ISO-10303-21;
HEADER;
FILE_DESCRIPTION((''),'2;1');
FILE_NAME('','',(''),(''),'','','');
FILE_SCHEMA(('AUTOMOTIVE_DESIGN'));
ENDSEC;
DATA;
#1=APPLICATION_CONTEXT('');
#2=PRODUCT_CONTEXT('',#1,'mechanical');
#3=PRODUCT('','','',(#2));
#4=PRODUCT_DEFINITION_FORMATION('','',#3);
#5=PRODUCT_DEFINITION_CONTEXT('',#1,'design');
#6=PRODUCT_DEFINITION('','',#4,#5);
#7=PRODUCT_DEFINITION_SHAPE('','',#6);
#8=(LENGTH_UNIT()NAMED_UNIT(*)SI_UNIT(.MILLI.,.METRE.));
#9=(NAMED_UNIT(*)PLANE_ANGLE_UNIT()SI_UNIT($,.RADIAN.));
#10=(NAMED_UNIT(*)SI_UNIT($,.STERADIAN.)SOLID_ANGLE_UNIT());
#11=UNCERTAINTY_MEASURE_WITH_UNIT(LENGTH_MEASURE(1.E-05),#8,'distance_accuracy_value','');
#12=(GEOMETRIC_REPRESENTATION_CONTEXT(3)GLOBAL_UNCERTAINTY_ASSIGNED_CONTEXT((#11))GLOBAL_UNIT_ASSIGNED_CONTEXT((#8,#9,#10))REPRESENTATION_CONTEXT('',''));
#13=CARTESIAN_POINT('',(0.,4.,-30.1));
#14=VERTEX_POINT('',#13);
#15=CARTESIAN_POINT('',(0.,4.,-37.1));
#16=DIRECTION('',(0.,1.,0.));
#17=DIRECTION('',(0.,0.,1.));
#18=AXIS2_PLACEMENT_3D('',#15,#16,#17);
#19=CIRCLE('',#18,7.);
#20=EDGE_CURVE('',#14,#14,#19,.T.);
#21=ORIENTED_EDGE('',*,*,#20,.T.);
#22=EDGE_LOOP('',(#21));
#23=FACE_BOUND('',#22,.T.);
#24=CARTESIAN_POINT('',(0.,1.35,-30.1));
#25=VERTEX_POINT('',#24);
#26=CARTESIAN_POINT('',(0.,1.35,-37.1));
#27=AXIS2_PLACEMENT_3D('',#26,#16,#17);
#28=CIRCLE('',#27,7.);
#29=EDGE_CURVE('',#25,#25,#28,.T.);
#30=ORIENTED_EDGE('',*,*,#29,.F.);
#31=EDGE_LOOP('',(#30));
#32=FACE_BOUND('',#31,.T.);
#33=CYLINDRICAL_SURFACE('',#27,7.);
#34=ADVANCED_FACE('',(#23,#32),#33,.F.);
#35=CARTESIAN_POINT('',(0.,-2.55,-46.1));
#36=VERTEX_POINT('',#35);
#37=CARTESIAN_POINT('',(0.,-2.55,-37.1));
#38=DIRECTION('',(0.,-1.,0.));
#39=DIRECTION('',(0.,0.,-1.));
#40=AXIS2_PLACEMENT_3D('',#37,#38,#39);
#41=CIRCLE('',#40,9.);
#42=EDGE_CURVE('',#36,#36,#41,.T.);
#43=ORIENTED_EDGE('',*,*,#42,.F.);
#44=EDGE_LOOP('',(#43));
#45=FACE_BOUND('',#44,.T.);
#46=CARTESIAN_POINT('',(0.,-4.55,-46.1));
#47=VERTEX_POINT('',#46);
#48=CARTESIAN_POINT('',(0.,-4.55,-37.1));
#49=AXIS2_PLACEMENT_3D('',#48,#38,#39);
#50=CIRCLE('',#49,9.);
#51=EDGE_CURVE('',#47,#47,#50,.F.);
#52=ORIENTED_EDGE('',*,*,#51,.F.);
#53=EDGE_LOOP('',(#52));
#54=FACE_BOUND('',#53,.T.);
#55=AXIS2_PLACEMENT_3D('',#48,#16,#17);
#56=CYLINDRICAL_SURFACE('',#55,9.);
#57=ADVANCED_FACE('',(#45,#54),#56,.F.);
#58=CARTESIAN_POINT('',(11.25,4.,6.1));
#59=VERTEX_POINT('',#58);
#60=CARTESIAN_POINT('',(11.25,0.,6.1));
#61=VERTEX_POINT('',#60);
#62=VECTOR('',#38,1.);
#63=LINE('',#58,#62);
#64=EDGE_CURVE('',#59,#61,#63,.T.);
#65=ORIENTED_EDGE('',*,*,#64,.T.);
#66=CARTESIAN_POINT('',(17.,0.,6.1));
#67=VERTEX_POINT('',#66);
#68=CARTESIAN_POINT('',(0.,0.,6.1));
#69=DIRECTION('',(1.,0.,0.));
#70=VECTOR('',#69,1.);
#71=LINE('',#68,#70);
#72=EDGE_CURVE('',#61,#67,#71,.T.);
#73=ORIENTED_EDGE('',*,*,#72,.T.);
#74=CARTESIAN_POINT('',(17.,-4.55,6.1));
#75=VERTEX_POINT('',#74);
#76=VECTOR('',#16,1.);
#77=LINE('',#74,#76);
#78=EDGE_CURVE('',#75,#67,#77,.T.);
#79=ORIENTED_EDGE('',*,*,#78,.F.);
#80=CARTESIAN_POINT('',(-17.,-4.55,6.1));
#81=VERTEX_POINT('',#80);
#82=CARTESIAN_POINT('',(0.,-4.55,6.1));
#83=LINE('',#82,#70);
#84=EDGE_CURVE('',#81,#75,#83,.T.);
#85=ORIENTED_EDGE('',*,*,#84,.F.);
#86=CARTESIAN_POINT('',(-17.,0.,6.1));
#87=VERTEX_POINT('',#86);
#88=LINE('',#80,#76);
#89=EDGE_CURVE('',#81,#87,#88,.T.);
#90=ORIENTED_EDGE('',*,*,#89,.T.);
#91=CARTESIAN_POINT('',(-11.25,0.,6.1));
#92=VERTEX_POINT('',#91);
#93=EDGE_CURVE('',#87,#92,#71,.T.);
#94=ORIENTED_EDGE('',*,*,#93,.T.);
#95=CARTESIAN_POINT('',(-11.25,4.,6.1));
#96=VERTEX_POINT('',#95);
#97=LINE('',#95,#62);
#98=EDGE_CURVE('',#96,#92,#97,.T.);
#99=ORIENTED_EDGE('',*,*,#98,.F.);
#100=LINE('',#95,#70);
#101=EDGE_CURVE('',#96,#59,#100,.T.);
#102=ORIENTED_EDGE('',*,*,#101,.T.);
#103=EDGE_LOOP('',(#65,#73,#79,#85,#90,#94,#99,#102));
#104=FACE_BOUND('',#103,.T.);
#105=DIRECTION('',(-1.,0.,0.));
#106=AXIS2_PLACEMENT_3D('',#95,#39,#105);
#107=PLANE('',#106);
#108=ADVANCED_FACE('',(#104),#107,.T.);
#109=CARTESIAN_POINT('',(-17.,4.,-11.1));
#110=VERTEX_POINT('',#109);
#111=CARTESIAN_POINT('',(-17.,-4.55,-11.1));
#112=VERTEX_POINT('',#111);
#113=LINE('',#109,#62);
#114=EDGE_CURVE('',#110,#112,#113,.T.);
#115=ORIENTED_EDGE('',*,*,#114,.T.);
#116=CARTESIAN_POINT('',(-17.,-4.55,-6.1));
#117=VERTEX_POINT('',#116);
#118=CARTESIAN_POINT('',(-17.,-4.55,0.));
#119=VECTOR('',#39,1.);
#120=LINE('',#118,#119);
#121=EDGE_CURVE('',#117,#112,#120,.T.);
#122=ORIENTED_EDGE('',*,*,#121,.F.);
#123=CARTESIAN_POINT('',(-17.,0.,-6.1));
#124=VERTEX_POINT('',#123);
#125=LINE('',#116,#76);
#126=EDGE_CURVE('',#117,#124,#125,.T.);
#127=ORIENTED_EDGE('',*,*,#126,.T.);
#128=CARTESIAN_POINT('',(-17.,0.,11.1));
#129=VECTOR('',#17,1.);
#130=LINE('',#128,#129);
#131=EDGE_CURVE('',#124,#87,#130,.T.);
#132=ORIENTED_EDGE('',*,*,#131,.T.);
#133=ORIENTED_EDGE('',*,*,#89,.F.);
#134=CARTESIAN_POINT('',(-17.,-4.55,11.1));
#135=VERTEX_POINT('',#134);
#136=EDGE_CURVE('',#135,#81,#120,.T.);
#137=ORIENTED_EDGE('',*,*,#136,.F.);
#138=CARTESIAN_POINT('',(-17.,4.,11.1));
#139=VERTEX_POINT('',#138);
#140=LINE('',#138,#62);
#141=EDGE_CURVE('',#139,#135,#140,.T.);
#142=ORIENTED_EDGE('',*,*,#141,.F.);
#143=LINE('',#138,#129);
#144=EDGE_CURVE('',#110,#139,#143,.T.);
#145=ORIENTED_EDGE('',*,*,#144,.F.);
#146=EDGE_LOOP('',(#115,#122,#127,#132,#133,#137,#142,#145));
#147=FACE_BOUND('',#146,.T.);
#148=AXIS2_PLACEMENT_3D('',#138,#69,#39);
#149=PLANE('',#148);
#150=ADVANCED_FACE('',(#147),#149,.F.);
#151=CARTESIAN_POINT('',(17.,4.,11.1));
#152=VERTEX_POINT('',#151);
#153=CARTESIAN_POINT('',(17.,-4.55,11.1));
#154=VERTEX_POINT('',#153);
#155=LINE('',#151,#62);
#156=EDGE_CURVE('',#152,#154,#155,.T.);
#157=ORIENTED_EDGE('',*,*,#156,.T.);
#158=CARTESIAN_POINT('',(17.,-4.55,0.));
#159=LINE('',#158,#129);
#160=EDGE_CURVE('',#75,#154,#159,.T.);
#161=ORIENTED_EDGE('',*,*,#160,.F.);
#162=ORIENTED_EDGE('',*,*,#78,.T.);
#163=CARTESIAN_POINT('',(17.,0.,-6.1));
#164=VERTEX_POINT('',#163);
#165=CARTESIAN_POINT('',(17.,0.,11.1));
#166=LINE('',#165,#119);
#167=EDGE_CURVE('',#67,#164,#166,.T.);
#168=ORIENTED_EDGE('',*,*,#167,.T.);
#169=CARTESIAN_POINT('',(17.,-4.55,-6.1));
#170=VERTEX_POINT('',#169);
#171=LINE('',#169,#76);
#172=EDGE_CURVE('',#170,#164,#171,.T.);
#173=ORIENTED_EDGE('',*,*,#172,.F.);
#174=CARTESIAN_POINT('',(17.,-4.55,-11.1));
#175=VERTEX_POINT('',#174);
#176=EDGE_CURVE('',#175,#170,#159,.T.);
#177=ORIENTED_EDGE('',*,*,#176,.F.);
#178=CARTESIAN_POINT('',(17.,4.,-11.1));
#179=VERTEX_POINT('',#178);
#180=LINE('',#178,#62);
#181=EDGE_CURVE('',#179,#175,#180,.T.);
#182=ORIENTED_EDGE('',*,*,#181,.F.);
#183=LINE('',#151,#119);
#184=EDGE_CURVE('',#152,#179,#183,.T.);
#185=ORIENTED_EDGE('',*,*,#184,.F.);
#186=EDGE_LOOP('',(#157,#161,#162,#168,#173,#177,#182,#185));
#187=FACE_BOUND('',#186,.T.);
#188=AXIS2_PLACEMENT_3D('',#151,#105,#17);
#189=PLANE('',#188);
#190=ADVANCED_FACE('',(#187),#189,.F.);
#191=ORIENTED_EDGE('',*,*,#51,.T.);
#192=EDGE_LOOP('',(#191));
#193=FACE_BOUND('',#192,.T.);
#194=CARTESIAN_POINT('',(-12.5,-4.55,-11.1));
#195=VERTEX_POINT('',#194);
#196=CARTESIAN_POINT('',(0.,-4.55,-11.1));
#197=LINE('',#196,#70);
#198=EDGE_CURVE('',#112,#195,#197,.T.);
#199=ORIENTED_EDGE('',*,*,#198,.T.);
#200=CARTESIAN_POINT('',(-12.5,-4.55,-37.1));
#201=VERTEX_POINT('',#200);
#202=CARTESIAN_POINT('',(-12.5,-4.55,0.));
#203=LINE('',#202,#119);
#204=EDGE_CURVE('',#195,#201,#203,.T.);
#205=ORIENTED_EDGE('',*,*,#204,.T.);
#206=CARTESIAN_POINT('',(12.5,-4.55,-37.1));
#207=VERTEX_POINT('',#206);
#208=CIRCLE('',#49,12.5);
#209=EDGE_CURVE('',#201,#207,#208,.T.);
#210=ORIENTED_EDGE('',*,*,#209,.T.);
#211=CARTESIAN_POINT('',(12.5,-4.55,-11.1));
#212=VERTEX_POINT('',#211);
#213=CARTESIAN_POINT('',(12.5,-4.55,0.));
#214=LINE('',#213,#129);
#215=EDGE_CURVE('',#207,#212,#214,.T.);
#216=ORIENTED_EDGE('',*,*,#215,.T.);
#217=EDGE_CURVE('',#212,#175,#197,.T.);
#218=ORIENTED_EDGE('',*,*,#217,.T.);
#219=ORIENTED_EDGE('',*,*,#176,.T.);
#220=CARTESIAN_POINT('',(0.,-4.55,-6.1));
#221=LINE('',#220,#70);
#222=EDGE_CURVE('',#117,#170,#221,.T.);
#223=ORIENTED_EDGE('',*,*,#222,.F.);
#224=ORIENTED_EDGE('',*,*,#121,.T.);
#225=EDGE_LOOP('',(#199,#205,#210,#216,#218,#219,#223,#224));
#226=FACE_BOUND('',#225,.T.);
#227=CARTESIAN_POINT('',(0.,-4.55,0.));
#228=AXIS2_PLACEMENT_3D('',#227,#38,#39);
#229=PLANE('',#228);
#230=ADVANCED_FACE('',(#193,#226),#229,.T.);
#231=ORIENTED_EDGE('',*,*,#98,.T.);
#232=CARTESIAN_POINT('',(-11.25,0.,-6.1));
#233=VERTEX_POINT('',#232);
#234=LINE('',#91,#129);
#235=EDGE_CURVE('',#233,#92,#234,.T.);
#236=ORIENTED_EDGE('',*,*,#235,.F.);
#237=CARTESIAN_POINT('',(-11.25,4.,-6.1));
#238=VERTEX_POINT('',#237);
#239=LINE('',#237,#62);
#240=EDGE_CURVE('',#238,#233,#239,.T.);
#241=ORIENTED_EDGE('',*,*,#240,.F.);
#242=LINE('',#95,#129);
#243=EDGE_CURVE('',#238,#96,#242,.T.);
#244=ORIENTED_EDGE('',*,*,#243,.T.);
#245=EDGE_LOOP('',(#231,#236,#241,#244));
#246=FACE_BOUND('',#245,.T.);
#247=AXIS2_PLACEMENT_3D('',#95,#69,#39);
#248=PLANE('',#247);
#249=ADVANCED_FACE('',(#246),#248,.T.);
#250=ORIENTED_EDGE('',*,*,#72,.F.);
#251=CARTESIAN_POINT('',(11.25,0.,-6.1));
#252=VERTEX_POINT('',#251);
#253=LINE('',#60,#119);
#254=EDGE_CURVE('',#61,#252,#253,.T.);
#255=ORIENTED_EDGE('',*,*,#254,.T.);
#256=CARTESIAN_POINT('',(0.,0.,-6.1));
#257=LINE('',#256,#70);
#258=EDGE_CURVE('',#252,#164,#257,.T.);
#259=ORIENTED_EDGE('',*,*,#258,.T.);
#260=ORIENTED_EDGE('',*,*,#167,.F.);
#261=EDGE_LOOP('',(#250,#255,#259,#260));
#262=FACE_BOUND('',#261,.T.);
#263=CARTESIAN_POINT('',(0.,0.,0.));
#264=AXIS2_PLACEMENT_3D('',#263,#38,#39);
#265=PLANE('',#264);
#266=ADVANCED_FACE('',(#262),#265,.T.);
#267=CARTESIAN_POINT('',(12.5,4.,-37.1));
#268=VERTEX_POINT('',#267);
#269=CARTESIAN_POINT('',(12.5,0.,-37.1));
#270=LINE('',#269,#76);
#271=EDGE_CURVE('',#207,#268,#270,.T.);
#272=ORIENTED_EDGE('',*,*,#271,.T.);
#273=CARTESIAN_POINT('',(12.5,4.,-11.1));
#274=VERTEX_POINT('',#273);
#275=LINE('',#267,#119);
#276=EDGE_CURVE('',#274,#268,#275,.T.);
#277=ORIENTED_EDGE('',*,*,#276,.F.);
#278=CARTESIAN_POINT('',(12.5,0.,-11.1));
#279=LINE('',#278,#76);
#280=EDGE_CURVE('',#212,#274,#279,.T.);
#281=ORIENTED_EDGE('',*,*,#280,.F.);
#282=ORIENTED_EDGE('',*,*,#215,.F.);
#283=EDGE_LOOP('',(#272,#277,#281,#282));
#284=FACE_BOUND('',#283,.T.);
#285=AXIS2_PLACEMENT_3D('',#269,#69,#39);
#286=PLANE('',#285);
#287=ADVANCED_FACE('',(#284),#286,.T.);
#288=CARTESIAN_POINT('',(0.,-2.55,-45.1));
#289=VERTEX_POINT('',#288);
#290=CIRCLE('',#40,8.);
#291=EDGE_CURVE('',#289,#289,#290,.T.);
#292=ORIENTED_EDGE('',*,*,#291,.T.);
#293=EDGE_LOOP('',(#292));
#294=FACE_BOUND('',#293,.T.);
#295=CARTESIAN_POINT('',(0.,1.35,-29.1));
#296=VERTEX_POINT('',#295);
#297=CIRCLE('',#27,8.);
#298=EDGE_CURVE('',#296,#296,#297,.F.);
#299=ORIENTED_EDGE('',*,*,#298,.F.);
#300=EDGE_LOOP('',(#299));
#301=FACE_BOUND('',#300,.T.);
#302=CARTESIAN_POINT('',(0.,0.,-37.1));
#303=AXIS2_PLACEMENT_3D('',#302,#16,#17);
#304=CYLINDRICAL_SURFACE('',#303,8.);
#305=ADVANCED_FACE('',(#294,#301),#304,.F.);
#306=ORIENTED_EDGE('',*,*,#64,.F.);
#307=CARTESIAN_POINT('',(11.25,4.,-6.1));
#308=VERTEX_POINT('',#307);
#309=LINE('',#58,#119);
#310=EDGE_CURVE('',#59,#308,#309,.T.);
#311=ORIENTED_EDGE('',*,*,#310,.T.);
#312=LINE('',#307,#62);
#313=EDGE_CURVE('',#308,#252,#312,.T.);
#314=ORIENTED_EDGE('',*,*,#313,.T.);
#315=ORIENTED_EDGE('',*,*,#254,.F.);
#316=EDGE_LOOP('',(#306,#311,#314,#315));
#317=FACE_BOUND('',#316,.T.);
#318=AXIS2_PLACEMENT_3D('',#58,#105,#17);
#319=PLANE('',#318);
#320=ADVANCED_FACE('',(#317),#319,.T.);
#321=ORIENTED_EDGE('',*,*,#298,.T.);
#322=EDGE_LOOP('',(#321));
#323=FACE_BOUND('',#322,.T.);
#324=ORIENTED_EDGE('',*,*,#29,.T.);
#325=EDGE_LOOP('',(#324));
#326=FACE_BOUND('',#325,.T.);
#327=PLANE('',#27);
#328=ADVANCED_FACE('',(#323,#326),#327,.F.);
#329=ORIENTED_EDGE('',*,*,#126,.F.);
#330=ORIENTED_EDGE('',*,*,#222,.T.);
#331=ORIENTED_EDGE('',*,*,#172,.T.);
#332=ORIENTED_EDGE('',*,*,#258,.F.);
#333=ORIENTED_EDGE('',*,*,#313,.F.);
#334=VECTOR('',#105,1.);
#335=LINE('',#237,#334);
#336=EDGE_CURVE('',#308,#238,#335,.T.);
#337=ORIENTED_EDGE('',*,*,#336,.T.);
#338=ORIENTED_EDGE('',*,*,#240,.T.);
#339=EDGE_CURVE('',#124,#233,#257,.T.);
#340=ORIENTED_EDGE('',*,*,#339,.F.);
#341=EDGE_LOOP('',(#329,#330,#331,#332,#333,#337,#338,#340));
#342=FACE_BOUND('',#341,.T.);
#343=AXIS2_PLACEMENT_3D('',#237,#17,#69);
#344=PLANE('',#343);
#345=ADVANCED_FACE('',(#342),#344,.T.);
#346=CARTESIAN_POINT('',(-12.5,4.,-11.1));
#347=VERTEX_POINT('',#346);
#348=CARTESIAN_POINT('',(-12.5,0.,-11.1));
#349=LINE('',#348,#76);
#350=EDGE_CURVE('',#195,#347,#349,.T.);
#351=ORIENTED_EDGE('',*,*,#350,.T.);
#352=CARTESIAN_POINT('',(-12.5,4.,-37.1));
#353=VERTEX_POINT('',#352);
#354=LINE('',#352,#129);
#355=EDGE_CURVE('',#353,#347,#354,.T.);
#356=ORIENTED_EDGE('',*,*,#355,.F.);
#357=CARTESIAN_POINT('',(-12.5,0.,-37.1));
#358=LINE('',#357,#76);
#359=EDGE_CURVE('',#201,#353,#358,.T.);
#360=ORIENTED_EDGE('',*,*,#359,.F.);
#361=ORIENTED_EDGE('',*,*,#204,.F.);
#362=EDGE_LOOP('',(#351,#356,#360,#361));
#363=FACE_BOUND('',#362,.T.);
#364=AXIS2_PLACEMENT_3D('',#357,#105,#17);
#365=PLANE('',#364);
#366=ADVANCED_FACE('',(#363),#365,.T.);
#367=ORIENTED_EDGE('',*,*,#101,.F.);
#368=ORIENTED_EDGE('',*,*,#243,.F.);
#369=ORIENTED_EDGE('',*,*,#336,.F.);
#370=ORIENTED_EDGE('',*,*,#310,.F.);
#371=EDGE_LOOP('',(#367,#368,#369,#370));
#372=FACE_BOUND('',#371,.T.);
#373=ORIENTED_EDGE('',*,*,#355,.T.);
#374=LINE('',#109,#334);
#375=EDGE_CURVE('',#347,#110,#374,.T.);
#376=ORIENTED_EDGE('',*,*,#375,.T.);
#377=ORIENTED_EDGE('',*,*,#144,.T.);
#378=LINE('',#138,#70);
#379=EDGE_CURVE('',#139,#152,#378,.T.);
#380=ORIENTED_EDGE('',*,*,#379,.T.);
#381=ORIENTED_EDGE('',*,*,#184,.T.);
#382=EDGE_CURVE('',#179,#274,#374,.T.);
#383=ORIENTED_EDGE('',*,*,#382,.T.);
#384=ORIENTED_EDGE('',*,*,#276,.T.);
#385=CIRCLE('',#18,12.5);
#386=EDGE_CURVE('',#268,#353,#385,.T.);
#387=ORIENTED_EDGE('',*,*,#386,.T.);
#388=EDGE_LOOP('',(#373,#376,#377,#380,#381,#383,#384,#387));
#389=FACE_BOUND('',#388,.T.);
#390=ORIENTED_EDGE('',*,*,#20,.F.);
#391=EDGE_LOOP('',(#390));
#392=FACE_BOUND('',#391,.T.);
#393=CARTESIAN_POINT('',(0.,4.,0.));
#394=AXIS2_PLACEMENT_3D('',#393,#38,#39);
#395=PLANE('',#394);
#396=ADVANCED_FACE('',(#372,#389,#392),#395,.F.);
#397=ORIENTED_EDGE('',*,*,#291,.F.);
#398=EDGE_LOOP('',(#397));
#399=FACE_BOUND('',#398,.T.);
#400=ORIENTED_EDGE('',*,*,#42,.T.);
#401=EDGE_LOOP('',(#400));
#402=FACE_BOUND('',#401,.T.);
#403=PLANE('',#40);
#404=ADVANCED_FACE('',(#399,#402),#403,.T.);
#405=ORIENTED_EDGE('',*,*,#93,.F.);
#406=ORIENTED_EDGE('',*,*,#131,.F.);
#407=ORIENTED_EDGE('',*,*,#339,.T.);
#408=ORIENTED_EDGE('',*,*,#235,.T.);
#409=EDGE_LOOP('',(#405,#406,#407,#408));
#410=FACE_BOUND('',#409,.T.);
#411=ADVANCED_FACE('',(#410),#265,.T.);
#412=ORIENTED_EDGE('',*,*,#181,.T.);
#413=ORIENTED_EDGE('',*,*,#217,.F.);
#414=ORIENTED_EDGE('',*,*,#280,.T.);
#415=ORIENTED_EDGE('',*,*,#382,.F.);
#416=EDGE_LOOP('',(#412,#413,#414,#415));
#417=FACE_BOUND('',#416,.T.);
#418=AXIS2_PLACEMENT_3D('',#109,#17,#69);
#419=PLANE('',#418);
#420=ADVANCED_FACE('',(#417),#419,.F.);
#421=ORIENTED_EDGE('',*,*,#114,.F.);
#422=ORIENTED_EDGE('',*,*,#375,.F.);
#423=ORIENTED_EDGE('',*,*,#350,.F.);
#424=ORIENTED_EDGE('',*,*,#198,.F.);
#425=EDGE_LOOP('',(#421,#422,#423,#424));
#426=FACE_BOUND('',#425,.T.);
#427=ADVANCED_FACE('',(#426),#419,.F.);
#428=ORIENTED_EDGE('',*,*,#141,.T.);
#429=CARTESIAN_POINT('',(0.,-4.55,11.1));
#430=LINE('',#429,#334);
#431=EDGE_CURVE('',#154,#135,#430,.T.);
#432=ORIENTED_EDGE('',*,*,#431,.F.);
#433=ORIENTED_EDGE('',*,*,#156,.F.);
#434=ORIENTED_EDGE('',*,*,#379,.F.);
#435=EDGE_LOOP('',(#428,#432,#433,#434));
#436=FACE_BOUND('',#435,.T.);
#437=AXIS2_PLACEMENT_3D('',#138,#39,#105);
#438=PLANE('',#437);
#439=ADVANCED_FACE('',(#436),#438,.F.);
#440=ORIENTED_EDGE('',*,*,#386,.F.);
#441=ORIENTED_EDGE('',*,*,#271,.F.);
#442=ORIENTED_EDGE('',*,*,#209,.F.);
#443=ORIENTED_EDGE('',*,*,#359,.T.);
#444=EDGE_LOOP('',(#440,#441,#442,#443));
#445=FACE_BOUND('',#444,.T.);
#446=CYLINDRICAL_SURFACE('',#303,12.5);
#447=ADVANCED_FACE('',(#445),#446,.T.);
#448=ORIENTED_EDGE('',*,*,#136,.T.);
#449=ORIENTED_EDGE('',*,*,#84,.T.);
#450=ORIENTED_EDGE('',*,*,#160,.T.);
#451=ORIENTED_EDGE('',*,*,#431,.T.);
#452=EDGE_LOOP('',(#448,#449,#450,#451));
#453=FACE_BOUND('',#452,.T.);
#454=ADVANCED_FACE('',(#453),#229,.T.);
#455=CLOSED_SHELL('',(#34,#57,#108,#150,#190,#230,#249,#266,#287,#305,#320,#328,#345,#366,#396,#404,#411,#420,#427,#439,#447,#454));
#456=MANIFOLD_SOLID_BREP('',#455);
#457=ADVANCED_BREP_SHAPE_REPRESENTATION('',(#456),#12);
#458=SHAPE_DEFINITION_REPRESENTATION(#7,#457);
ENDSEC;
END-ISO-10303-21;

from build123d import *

# Parameters (mm, degrees)
SKETCH1_W           = 34
SKETCH1_H           = 22.2
SKETCH1_W_2         = 22.5
SKETCH1_H_2         = 12.2
BOSS_EXTRUDE1_DEPTH = 4
SKETCH2_R           = 8
BOSS_EXTRUDE3_DEPTH = 4
SKETCH3_R           = 9
SKETCH3_R_2         = 8
BOSS_EXTRUDE4_DEPTH = 2.55
SKETCH4_R           = 9
BOSS_EXTRUDE5_DEPTH = 4.55
SKETCH5_R           = 8
SKETCH5_R_2         = 7
BOSS_EXTRUDE8_DEPTH = 2.65


with BuildPart() as part:
    # Sketch1 → Boss-Extrude1 (new body)
    with BuildSketch(Plane(origin=(0, 0, 0), x_dir=(1, 0, 0), z_dir=(0, 1, 0))):
        Rectangle(SKETCH1_W, SKETCH1_H)
        Rectangle(SKETCH1_W_2, SKETCH1_H_2, mode=Mode.SUBTRACT)
    extrude(amount=BOSS_EXTRUDE1_DEPTH)

    # Sketch2 → Boss-Extrude3 (add, through all)
    with BuildSketch(Plane(origin=(0, 4, 0), x_dir=(1, 0, 0), z_dir=(0, 1, 0))):
        with BuildLine():
            Line((-12.5, 37.1), (-12.5, 11.1))
            Line((-12.5, 11.1), (12.5, 11.1))
            Line((12.5, 11.1), (12.5, 37.1))
            ThreePointArc((12.5, 37.1), (0, 49.6), (-12.5, 37.1))
        make_face()
        with Locations(Location((0, 37.1, 0), (0, 0, 270))):
            Circle(SKETCH2_R, mode=Mode.SUBTRACT)
    extrude(amount=-BOSS_EXTRUDE3_DEPTH)

    # Sketch3 → Boss-Extrude4 (add)
    with BuildSketch(Plane.XZ):
        with Locations(Location((0, -37.1, 0), (0, 0, 270))):
            Circle(SKETCH3_R)
        with Locations(Location((0, -37.1, 0), (0, 0, 90))):
            Circle(SKETCH3_R_2, mode=Mode.SUBTRACT)
    extrude(amount=BOSS_EXTRUDE4_DEPTH)

    # Sketch4 → Boss-Extrude5 (add)
    # profile 1 of 2: a face of its own
    with BuildSketch(Plane.XZ):
        with BuildLine():
            Line((12.5, -11.1), (17, -11.1))
            Line((17, -11.1), (17, -6.1))
            Line((17, -6.1), (11.25, -6.1))
            Line((11.25, -6.1), (-11.25, -6.1))
            Line((-11.25, -6.1), (-17, -6.1))
            Line((-17, -6.1), (-17, -11.1))
            Line((-17, -11.1), (-12.5, -11.1))
            Line((-12.5, -11.1), (-12.5, -37.1))
            ThreePointArc((-12.5, -37.1), (0, -49.6), (12.5, -37.1))
            Line((12.5, -37.1), (12.5, -11.1))
        make_face()
        with Locations(Location((0, -37.1, 0), (0, 0, 270))):
            Circle(SKETCH4_R, mode=Mode.SUBTRACT)
    # profile 2 of 2: a face of its own
    with BuildSketch(Plane.XZ):
        Polygon((11.25, 6.1), (17, 6.1), (17, 11.1), (-17, 11.1), (-17, 6.1), (-11.25, 6.1), align=None)
    extrude(amount=BOSS_EXTRUDE5_DEPTH)

    # Sketch5 → Boss-Extrude8 (add)
    with BuildSketch(Plane(origin=(0, 4, 0), x_dir=(1, 0, 0), z_dir=(0, 1, 0))):
        with Locations(Location((0, 37.1, 0), (0, 0, 270))):
            Circle(SKETCH5_R)
        with Locations(Location((0, 37.1, 0), (0, 0, 270))):
            Circle(SKETCH5_R_2, mode=Mode.SUBTRACT)
    extrude(amount=-BOSS_EXTRUDE8_DEPTH)


solid = part.part
